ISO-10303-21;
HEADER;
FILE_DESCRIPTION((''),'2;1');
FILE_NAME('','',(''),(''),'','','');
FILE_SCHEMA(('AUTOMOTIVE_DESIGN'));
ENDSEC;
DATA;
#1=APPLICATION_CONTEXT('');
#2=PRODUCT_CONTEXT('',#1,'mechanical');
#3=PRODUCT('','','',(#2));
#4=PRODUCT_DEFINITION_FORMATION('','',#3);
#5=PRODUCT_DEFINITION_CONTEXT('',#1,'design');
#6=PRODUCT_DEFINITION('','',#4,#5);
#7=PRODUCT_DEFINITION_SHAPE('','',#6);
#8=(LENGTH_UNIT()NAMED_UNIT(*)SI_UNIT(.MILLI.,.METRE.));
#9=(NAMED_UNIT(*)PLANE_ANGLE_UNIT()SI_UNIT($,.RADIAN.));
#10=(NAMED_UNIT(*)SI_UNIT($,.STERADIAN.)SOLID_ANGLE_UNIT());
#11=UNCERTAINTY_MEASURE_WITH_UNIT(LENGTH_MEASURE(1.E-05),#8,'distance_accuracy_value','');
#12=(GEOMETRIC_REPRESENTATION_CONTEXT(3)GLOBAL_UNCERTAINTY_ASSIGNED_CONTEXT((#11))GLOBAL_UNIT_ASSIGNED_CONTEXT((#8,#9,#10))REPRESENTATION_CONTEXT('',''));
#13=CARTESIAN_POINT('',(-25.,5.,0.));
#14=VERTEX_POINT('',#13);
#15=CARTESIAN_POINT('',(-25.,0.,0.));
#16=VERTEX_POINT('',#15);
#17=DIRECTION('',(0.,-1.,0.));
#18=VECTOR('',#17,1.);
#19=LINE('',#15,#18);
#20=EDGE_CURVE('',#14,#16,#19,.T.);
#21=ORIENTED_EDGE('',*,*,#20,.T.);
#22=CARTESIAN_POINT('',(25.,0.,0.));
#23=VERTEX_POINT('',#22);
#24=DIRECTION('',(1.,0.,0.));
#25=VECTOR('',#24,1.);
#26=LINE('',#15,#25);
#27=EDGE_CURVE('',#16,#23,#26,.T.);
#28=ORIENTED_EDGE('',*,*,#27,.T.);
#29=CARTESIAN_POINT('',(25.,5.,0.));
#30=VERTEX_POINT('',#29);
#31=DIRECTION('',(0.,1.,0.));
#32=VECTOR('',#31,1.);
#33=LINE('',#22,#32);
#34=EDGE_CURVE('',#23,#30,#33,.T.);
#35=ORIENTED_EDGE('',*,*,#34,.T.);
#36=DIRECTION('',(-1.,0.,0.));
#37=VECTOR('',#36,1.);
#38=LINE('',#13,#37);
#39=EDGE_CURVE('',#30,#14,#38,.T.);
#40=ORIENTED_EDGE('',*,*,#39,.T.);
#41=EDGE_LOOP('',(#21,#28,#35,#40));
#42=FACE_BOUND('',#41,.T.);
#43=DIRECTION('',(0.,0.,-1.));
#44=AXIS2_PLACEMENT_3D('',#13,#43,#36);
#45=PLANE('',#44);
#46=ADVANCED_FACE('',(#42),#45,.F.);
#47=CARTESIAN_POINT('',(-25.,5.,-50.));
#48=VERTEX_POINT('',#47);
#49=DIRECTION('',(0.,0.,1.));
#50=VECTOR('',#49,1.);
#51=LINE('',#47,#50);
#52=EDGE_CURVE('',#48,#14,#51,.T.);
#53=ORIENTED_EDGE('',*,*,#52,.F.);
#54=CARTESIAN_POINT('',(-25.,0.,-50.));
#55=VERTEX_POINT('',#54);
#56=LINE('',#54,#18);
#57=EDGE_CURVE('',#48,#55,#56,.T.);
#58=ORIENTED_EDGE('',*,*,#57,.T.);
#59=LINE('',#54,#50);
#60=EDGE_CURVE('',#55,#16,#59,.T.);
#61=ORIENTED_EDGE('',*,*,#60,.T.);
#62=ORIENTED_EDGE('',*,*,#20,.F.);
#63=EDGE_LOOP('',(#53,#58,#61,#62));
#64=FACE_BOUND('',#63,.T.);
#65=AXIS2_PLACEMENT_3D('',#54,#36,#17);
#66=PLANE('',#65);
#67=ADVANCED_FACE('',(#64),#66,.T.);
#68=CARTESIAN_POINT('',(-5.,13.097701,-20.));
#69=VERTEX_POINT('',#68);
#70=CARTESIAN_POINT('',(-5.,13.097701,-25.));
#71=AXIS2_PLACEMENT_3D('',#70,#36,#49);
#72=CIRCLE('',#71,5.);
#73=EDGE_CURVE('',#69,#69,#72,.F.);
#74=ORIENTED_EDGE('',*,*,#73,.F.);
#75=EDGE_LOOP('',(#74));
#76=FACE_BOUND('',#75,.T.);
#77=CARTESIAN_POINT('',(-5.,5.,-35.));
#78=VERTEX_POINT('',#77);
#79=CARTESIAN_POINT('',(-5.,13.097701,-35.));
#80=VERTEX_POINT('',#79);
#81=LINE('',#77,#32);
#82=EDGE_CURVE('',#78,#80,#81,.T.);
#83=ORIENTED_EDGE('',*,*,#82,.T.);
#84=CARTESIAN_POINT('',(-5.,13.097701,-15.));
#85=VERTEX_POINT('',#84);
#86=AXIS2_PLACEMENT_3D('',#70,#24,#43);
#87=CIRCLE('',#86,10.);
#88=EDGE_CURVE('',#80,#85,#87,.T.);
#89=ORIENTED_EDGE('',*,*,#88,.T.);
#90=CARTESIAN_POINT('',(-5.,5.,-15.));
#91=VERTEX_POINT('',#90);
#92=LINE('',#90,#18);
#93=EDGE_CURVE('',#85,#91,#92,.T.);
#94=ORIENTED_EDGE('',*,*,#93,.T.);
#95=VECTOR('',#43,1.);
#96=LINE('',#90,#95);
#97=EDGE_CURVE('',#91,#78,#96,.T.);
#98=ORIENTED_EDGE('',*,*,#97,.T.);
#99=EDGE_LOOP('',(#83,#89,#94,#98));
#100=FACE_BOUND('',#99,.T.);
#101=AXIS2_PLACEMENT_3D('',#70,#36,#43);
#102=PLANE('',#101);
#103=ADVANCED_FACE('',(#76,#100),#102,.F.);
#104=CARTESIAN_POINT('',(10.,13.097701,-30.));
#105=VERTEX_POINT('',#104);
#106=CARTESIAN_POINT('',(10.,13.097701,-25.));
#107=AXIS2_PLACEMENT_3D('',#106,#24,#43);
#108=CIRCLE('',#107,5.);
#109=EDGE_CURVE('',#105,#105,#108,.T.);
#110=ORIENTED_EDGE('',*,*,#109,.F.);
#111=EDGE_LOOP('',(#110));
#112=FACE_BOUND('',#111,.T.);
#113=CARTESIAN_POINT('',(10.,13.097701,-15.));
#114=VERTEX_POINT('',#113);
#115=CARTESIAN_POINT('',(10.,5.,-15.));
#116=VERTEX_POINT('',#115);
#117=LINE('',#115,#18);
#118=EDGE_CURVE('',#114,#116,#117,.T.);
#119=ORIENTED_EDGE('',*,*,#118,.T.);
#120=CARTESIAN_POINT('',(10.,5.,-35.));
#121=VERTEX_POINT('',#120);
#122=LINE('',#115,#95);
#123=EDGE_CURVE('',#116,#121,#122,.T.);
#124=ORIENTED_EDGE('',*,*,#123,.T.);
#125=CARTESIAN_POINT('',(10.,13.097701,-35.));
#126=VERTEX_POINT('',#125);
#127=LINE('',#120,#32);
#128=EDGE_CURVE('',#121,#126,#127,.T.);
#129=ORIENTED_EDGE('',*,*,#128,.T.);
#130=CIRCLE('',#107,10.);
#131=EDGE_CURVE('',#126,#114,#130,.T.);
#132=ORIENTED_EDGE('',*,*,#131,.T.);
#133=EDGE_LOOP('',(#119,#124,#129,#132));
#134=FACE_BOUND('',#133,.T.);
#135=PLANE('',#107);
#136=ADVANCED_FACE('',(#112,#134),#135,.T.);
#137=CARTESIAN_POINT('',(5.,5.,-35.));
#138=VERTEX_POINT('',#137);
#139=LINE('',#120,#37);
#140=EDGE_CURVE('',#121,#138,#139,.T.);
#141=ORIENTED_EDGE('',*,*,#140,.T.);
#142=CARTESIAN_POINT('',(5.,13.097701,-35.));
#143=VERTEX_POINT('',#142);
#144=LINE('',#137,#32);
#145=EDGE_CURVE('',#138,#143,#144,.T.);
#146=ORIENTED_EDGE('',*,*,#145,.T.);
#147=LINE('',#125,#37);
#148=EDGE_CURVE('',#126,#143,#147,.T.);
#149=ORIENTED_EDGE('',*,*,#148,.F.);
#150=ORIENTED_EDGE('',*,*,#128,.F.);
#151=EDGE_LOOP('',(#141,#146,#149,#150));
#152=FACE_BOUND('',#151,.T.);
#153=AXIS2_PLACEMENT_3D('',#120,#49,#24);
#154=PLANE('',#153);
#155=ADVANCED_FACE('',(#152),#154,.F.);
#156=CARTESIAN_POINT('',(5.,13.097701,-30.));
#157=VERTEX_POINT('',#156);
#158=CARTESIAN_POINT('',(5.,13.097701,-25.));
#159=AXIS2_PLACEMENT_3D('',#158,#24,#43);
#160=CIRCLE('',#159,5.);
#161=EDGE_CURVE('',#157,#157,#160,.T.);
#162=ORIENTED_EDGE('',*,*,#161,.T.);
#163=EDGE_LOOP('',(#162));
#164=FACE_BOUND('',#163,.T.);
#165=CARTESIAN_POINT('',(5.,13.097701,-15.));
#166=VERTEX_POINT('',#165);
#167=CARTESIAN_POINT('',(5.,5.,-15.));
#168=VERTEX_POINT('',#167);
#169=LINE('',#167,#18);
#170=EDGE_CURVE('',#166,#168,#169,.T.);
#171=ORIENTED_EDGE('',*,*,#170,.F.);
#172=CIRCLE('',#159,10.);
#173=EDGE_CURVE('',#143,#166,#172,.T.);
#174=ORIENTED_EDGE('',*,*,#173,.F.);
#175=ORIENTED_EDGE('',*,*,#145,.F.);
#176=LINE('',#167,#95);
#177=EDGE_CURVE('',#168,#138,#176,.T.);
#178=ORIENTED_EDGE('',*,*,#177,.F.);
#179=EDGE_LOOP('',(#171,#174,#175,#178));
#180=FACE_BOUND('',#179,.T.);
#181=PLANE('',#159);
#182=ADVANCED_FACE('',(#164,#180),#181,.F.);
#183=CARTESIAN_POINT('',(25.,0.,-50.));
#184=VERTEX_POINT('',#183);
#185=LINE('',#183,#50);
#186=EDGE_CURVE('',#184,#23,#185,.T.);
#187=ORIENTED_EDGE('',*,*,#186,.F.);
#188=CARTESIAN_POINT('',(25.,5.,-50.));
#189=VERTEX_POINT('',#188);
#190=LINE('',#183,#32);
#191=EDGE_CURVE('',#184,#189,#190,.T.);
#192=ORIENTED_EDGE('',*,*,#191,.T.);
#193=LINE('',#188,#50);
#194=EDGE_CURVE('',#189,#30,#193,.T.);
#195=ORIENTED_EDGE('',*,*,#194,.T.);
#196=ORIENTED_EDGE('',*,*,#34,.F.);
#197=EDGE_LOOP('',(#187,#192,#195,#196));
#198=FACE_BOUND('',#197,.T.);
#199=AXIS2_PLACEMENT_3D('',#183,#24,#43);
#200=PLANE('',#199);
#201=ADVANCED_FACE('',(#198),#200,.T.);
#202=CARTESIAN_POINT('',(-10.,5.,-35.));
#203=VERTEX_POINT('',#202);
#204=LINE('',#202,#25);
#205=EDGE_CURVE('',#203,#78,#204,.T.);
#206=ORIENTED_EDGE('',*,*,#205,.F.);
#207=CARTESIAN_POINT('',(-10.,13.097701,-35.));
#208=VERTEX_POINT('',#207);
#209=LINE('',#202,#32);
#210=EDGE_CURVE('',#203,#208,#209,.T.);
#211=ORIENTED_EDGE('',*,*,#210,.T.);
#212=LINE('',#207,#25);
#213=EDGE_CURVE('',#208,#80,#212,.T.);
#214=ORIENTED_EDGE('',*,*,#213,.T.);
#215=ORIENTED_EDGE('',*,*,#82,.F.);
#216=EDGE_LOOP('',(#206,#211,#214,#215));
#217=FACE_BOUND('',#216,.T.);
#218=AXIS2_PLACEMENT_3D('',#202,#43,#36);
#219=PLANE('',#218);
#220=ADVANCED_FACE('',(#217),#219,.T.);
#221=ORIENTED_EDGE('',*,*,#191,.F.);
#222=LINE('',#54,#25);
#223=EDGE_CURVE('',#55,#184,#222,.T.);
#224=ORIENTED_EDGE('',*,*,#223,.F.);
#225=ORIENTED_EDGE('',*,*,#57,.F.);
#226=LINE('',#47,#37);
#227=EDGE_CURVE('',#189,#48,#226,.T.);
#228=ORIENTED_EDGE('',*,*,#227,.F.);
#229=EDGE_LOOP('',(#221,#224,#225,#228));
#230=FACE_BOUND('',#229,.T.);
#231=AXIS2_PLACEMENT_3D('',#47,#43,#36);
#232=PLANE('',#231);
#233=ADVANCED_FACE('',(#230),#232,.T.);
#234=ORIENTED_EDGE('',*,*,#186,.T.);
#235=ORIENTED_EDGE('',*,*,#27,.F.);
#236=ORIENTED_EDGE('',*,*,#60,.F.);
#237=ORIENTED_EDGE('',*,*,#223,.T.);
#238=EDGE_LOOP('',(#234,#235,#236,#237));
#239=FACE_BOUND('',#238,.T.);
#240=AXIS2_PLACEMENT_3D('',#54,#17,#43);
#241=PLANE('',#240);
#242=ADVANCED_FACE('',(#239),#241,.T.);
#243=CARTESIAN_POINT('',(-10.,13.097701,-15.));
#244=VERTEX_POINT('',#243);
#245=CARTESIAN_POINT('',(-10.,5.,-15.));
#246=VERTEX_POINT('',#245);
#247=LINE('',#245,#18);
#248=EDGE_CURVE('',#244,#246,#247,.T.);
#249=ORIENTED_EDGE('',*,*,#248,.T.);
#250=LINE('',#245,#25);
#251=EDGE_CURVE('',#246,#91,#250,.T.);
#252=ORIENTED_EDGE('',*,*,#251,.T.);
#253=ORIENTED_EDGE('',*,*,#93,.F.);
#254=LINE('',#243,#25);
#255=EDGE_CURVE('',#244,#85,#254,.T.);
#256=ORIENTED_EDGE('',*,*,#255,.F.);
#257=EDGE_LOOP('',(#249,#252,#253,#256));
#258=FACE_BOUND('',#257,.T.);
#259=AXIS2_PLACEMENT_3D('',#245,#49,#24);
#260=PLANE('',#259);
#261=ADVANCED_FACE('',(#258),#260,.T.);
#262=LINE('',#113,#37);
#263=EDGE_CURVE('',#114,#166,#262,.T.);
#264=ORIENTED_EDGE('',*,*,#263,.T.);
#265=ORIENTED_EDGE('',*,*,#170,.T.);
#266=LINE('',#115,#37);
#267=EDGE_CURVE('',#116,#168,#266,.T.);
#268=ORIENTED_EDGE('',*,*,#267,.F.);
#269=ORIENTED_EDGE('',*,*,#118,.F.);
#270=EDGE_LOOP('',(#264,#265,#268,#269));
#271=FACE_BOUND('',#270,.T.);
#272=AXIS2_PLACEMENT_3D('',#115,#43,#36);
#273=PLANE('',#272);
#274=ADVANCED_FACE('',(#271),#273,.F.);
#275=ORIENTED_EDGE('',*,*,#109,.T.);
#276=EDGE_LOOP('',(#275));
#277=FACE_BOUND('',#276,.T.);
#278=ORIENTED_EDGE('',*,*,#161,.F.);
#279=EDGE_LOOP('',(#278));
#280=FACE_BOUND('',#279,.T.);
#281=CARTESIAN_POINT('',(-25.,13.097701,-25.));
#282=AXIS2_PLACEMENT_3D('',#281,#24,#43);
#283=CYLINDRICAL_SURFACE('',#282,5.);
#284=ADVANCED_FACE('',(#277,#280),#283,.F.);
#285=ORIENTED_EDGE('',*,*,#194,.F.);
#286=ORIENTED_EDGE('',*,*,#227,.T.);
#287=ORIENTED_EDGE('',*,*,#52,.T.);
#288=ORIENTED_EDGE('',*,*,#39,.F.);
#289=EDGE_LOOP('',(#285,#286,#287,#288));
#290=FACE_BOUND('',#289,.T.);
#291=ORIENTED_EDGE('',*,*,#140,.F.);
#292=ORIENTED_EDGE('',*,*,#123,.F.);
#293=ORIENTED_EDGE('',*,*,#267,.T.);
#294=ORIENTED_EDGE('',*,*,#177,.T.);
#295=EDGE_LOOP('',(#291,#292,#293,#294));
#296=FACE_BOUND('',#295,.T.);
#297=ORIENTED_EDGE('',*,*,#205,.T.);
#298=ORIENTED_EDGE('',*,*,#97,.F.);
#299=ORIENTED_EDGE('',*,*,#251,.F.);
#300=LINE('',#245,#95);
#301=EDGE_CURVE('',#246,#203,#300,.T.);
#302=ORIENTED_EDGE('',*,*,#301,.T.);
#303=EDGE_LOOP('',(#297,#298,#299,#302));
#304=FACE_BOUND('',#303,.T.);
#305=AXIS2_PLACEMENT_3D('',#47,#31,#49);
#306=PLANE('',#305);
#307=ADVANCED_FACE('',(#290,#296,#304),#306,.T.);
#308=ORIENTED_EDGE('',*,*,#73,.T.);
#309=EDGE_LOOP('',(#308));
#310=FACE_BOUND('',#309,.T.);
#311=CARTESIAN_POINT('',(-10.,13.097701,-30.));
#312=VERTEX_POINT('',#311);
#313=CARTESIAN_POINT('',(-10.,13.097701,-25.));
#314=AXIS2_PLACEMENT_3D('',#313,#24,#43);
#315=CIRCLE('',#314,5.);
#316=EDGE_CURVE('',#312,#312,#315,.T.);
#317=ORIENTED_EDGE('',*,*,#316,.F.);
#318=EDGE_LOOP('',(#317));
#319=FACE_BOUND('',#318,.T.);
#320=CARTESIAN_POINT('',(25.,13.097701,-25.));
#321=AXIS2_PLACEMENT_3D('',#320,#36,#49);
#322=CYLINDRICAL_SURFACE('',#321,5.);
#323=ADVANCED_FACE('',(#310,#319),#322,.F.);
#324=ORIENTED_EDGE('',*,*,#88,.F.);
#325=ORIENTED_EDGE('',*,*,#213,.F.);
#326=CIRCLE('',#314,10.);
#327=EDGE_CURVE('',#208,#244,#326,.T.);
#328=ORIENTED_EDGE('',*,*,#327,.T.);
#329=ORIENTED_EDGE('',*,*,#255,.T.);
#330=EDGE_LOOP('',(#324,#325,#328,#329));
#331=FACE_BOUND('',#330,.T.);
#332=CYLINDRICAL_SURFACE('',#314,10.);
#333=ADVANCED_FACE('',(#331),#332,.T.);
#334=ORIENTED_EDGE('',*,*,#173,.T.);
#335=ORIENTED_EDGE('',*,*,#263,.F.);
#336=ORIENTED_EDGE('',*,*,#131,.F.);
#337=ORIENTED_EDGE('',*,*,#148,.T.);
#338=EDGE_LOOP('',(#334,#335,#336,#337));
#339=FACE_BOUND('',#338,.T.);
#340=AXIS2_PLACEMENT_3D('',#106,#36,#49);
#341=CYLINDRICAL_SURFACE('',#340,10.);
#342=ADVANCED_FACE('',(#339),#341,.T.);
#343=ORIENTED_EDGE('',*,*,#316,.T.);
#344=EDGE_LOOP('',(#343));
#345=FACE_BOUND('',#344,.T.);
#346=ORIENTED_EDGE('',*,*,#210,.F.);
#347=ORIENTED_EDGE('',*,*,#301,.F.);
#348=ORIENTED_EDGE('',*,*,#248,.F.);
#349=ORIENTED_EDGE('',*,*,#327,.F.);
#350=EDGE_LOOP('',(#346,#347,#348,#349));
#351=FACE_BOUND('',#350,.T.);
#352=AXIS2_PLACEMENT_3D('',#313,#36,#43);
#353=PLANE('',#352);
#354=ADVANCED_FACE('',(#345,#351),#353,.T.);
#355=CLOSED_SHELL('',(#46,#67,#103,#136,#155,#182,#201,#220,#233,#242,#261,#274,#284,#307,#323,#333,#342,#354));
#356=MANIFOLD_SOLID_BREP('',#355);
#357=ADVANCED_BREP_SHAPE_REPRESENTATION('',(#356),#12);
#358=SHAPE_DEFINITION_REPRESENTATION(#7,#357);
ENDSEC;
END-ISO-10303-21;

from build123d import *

# Parameters (mm, degrees)
SKETCH1_W           = 50
SKETCH1_H           = 5
BOSS_EXTRUDE1_DEPTH = 50
BOSS_EXTRUDE2_DEPTH = 5
SKETCH3_R           = 5
CUT_EXTRUDE1_DEPTH  = 36


with BuildPart() as part:
    # Sketch1 → Boss-Extrude1 (new body)
    with BuildSketch(Plane.XY):
        with Locations((0, 2.5)):
            Rectangle(SKETCH1_W, SKETCH1_H)
    extrude(amount=-BOSS_EXTRUDE1_DEPTH)

    # Sketch2 → Boss-Extrude2 (add)
    with BuildSketch(Plane(origin=(5, 0, 0), x_dir=(0, 0, -1), z_dir=(1, 0, 0))):
        with BuildLine():
            Line((15, 5), (35, 5))
            Line((35, 5), (35, 13.097700543))
            ThreePointArc((35, 13.097700543), (25, 23.097700543), (15, 13.097700543))
            Line((15, 13.097700543), (15, 5))
        make_face()
    boss_extrude2 = extrude(amount=BOSS_EXTRUDE2_DEPTH)

    # Sketch3 → Cut-Extrude1 (cut, through all)
    with BuildSketch(Plane(origin=(10, 0, 0), x_dir=(0, 0, -1), z_dir=(1, 0, 0))):
        with Locations((25, 13.097700543)):
            Circle(SKETCH3_R)
    cut_extrude1 = extrude(amount=-CUT_EXTRUDE1_DEPTH, mode=Mode.SUBTRACT)

    # Mirror1: Boss-Extrude2, Cut-Extrude1 across plane
    add(boss_extrude2.mirror(Plane(origin=(0, 0, 0), x_dir=(0, 0, 1), z_dir=(1, 0, 0))))
    add(cut_extrude1.mirror(Plane(origin=(0, 0, 0), x_dir=(0, 0, 1), z_dir=(1, 0, 0))), mode=Mode.SUBTRACT)


solid = part.part
